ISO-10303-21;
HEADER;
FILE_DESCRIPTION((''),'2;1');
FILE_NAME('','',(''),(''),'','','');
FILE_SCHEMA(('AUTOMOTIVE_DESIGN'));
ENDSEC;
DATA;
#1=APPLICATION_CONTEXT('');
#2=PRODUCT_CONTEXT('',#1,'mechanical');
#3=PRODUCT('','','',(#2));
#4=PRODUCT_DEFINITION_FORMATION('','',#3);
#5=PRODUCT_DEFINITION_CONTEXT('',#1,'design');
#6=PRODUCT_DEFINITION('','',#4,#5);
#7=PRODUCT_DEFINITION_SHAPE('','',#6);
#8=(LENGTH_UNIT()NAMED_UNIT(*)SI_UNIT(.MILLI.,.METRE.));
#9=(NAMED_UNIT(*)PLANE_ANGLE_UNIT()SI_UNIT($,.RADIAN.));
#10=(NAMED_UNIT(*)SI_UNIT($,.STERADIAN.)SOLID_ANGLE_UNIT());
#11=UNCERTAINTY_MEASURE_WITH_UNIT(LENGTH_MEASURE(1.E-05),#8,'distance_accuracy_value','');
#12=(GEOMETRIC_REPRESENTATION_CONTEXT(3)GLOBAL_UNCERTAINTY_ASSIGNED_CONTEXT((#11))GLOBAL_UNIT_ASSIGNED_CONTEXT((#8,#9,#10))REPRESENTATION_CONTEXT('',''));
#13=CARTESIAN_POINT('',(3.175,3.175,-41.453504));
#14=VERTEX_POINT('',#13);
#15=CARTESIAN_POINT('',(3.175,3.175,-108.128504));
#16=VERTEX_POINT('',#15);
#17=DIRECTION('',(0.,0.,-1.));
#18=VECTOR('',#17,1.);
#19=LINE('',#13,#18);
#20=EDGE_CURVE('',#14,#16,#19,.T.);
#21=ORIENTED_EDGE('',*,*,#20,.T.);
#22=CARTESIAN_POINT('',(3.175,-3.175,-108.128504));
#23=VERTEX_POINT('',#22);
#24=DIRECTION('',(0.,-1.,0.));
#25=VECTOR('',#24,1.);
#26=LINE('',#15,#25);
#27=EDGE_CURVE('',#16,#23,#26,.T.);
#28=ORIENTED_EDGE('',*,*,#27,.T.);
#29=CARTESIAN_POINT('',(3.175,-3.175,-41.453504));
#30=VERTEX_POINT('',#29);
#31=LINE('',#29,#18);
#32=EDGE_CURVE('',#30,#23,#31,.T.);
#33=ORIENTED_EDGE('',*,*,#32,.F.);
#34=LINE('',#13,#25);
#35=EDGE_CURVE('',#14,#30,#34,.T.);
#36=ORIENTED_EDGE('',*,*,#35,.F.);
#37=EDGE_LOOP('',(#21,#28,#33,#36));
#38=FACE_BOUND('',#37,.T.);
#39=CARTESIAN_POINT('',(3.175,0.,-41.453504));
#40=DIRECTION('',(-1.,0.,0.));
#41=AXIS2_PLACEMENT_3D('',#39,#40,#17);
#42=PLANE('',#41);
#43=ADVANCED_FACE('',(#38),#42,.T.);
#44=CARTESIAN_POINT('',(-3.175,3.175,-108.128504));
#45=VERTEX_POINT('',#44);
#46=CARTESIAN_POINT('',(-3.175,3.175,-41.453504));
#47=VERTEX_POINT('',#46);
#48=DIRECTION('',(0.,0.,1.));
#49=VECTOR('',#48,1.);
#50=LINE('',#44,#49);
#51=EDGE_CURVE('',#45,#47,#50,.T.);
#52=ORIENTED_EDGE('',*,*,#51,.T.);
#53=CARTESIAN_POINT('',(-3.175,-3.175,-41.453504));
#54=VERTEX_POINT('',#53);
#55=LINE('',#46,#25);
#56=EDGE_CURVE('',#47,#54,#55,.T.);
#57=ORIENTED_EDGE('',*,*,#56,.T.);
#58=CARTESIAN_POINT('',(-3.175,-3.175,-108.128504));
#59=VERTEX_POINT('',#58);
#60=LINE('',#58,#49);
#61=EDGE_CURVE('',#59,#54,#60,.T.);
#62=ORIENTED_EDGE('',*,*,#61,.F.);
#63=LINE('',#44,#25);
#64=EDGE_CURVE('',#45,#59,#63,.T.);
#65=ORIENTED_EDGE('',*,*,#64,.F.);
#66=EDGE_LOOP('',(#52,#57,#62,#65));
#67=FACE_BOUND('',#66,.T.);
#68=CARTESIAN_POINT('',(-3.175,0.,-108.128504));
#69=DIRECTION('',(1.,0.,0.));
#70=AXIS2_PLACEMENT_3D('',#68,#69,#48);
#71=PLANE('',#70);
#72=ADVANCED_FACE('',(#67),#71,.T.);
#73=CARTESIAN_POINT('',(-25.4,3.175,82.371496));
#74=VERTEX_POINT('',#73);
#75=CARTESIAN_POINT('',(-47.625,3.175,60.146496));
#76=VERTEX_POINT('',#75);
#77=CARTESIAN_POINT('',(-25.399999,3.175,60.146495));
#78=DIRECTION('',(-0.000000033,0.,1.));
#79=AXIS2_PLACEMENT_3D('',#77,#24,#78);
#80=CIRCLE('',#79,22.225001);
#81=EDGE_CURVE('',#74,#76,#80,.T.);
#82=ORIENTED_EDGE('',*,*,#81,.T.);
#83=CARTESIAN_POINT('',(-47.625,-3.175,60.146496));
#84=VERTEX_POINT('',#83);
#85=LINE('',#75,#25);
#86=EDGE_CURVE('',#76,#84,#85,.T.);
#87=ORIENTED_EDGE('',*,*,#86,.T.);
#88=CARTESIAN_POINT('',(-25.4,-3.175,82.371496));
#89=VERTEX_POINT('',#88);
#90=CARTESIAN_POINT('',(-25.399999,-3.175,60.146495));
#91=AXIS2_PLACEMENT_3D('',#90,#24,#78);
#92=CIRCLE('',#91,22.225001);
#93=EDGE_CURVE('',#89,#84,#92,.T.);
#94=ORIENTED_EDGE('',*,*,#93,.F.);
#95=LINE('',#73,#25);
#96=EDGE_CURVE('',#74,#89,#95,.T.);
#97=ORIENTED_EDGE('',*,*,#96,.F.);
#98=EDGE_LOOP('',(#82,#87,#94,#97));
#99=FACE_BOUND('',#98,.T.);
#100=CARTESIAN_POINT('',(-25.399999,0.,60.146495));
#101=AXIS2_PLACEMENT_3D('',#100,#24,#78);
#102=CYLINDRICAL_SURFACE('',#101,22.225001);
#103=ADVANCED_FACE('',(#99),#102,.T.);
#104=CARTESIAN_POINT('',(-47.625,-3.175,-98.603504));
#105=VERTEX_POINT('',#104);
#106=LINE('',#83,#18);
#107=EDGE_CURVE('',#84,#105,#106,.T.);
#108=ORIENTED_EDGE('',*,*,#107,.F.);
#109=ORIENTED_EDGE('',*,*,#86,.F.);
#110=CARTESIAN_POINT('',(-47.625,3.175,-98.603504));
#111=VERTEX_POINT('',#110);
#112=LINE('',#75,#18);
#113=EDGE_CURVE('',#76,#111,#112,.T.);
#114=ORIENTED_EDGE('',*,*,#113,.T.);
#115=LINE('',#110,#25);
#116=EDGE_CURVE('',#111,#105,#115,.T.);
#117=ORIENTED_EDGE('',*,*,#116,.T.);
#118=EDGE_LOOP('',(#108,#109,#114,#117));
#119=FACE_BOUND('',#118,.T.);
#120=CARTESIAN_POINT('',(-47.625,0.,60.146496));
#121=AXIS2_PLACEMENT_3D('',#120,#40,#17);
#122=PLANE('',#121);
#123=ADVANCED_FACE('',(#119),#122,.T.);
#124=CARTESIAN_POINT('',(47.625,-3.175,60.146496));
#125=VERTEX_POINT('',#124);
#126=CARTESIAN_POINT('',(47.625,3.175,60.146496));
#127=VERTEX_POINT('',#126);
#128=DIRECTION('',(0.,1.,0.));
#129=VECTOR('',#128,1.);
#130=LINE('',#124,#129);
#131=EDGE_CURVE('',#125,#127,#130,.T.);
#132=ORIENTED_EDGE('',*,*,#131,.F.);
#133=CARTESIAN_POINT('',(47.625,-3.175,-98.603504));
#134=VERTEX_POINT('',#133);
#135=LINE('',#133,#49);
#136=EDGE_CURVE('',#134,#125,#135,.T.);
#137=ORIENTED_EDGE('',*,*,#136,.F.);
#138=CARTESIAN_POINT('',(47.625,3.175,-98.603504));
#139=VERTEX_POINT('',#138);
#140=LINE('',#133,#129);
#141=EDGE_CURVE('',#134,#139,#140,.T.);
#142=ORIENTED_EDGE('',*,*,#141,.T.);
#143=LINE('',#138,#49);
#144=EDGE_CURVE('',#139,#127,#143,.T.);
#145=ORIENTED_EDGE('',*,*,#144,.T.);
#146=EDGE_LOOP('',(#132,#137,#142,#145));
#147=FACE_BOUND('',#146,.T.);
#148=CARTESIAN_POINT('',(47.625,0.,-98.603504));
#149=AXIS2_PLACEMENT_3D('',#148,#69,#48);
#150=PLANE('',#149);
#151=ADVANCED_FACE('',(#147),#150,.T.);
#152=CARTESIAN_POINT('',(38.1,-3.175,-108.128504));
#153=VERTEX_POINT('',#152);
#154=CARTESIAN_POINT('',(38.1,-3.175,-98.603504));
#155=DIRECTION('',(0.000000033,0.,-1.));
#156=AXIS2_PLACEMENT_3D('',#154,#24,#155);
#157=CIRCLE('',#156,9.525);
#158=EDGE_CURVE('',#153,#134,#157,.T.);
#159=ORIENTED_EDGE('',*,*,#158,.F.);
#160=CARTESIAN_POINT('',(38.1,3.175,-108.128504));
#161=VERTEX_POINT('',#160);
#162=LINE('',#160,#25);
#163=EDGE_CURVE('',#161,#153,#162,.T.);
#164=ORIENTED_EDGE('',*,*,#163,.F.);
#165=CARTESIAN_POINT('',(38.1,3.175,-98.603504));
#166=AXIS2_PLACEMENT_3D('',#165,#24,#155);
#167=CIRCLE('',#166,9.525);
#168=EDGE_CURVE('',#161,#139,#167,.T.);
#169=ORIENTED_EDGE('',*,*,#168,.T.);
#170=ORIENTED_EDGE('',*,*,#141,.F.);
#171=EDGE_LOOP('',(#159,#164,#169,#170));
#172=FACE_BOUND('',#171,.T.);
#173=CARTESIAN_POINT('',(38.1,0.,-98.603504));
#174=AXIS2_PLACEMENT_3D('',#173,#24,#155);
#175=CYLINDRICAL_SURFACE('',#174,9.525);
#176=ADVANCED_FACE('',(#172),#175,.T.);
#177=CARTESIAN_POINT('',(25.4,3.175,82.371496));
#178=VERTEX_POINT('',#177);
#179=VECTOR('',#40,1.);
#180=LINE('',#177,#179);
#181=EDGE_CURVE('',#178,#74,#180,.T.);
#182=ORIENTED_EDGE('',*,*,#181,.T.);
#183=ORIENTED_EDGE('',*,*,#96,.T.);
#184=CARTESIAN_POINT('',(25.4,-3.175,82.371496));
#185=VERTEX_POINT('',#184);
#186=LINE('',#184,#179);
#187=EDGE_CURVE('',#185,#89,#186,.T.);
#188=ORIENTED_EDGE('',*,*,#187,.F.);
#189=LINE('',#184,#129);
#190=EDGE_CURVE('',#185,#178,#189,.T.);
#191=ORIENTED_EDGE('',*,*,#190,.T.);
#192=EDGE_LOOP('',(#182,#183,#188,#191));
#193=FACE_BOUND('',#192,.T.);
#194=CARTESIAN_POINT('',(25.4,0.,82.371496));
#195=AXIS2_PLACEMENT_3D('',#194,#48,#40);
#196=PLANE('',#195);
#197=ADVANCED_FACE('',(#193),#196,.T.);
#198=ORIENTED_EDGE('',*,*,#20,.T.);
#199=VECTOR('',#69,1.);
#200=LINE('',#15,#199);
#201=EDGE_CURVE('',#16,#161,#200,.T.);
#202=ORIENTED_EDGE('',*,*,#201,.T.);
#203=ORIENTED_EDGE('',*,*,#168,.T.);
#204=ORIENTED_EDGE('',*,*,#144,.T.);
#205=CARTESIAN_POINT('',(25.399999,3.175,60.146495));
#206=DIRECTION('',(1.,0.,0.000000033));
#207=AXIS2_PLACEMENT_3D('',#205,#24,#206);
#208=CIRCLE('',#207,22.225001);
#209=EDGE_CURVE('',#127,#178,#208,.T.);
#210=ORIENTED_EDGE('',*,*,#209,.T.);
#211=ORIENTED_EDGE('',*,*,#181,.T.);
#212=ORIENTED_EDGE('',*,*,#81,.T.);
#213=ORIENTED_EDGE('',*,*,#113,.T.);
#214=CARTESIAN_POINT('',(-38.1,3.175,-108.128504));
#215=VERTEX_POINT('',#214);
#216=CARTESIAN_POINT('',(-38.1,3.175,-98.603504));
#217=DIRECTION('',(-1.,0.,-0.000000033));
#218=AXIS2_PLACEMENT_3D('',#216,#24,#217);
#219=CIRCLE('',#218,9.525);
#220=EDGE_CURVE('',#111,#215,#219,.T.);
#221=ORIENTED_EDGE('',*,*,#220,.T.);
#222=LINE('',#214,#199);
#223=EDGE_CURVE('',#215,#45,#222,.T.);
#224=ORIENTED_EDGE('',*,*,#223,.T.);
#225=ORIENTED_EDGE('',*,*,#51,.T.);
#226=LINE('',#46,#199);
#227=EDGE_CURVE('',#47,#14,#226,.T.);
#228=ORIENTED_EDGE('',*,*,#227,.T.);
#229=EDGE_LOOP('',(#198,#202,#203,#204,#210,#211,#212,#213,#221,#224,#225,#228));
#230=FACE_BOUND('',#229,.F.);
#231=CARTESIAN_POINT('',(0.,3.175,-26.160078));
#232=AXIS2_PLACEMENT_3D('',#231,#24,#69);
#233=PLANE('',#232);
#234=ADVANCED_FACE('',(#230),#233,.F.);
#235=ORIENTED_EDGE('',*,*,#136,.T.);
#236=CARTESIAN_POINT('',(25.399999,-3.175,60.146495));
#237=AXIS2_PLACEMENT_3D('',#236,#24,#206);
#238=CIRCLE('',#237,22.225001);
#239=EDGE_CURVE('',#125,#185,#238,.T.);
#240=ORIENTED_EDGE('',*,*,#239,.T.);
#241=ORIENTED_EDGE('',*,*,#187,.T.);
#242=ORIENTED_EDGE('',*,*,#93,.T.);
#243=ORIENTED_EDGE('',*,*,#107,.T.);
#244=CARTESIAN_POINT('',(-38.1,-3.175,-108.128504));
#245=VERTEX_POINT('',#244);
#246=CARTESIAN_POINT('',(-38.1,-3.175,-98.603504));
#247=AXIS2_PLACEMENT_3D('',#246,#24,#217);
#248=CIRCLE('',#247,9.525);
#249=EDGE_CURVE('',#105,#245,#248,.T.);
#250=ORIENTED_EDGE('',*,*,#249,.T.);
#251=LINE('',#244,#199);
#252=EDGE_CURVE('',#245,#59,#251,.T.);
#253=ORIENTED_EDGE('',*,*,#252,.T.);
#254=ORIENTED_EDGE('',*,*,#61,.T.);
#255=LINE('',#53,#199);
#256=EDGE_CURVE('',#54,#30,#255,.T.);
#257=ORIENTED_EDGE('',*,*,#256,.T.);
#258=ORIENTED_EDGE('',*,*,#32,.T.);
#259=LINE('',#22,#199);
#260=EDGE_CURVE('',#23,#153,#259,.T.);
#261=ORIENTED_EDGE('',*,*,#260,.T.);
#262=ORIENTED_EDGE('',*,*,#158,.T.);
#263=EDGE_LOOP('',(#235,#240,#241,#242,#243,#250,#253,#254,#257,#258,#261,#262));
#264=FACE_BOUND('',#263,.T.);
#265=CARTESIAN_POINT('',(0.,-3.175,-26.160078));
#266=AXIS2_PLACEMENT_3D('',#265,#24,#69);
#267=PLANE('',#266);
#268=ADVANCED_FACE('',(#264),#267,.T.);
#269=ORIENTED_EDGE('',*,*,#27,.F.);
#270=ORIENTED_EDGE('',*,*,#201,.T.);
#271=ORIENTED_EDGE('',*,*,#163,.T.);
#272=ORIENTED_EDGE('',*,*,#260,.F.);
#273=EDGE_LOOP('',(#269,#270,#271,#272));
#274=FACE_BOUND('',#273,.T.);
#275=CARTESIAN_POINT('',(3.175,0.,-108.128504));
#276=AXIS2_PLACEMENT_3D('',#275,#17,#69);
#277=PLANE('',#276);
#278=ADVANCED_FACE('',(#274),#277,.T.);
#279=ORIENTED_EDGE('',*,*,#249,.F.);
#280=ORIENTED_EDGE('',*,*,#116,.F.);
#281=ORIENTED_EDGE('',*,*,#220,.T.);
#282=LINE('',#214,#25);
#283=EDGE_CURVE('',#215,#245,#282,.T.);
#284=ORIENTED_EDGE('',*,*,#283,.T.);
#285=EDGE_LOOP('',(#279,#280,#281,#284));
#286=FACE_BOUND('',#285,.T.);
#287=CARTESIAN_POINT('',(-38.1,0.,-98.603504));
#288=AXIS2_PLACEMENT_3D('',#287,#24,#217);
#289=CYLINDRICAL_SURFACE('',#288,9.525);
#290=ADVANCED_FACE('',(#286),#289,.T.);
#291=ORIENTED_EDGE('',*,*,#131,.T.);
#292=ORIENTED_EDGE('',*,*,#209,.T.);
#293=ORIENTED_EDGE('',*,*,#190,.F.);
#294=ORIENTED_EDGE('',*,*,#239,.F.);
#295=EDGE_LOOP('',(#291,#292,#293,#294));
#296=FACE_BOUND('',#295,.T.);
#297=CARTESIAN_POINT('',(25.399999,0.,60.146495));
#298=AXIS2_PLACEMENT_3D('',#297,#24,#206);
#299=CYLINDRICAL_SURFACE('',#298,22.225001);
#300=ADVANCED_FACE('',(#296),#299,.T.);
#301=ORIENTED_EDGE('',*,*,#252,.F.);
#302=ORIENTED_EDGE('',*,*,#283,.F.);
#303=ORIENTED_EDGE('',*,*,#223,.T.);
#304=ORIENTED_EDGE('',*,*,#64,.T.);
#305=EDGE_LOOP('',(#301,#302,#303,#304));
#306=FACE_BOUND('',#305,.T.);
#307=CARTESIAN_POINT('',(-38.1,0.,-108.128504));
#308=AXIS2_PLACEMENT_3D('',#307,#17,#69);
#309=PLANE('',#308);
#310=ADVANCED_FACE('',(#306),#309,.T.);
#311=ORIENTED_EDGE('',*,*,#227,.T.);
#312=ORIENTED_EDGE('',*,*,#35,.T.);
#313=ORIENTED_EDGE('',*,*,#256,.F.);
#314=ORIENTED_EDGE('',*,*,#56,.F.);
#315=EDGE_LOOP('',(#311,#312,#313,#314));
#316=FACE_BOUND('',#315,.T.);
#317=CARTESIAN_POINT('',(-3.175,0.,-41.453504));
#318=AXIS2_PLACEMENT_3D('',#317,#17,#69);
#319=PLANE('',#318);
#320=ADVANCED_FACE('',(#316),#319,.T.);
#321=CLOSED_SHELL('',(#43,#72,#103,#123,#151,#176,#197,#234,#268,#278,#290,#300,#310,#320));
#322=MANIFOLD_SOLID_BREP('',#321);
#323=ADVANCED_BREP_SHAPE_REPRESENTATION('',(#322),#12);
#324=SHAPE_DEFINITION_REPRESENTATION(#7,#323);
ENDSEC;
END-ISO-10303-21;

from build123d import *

# Parameters (mm, degrees)
F1_DEPTH = 3.175


with BuildPart() as f1:
    # F0 (on Front) → F1 (new body, symmetric)
    with BuildSketch(Plane.XZ):
        with BuildLine():
            Line((25.4, 82.371496), (-25.4, 82.371496))
            ThreePointArc((-25.4, 82.371496), (-41.115448, 75.861944), (-47.625, 60.146496))
            Line((-47.625, 60.146496), (-47.625, -98.603504))
            ThreePointArc((-47.625, -98.603504), (-44.835192, -105.338696), (-38.1, -108.128504))
            Line((-38.1, -108.128504), (-3.175, -108.128504))
            Line((-3.175, -108.128504), (-3.175, -41.453504))
            Line((-3.175, -41.453504), (0, -41.453504))
            Line((0, -41.453504), (3.175, -41.453504))
            Line((3.175, -41.453504), (3.175, -108.128504))
            Line((3.175, -108.128504), (38.1, -108.128504))
            ThreePointArc((38.1, -108.128504), (44.835192, -105.338696), (47.625, -98.603504))
            Line((47.625, -98.603504), (47.625, 60.146496))
            ThreePointArc((47.625, 60.146496), (41.115448, 75.861944), (25.4, 82.371496))
        make_face()
    extrude(amount=F1_DEPTH, both=True)


solid = f1.part
